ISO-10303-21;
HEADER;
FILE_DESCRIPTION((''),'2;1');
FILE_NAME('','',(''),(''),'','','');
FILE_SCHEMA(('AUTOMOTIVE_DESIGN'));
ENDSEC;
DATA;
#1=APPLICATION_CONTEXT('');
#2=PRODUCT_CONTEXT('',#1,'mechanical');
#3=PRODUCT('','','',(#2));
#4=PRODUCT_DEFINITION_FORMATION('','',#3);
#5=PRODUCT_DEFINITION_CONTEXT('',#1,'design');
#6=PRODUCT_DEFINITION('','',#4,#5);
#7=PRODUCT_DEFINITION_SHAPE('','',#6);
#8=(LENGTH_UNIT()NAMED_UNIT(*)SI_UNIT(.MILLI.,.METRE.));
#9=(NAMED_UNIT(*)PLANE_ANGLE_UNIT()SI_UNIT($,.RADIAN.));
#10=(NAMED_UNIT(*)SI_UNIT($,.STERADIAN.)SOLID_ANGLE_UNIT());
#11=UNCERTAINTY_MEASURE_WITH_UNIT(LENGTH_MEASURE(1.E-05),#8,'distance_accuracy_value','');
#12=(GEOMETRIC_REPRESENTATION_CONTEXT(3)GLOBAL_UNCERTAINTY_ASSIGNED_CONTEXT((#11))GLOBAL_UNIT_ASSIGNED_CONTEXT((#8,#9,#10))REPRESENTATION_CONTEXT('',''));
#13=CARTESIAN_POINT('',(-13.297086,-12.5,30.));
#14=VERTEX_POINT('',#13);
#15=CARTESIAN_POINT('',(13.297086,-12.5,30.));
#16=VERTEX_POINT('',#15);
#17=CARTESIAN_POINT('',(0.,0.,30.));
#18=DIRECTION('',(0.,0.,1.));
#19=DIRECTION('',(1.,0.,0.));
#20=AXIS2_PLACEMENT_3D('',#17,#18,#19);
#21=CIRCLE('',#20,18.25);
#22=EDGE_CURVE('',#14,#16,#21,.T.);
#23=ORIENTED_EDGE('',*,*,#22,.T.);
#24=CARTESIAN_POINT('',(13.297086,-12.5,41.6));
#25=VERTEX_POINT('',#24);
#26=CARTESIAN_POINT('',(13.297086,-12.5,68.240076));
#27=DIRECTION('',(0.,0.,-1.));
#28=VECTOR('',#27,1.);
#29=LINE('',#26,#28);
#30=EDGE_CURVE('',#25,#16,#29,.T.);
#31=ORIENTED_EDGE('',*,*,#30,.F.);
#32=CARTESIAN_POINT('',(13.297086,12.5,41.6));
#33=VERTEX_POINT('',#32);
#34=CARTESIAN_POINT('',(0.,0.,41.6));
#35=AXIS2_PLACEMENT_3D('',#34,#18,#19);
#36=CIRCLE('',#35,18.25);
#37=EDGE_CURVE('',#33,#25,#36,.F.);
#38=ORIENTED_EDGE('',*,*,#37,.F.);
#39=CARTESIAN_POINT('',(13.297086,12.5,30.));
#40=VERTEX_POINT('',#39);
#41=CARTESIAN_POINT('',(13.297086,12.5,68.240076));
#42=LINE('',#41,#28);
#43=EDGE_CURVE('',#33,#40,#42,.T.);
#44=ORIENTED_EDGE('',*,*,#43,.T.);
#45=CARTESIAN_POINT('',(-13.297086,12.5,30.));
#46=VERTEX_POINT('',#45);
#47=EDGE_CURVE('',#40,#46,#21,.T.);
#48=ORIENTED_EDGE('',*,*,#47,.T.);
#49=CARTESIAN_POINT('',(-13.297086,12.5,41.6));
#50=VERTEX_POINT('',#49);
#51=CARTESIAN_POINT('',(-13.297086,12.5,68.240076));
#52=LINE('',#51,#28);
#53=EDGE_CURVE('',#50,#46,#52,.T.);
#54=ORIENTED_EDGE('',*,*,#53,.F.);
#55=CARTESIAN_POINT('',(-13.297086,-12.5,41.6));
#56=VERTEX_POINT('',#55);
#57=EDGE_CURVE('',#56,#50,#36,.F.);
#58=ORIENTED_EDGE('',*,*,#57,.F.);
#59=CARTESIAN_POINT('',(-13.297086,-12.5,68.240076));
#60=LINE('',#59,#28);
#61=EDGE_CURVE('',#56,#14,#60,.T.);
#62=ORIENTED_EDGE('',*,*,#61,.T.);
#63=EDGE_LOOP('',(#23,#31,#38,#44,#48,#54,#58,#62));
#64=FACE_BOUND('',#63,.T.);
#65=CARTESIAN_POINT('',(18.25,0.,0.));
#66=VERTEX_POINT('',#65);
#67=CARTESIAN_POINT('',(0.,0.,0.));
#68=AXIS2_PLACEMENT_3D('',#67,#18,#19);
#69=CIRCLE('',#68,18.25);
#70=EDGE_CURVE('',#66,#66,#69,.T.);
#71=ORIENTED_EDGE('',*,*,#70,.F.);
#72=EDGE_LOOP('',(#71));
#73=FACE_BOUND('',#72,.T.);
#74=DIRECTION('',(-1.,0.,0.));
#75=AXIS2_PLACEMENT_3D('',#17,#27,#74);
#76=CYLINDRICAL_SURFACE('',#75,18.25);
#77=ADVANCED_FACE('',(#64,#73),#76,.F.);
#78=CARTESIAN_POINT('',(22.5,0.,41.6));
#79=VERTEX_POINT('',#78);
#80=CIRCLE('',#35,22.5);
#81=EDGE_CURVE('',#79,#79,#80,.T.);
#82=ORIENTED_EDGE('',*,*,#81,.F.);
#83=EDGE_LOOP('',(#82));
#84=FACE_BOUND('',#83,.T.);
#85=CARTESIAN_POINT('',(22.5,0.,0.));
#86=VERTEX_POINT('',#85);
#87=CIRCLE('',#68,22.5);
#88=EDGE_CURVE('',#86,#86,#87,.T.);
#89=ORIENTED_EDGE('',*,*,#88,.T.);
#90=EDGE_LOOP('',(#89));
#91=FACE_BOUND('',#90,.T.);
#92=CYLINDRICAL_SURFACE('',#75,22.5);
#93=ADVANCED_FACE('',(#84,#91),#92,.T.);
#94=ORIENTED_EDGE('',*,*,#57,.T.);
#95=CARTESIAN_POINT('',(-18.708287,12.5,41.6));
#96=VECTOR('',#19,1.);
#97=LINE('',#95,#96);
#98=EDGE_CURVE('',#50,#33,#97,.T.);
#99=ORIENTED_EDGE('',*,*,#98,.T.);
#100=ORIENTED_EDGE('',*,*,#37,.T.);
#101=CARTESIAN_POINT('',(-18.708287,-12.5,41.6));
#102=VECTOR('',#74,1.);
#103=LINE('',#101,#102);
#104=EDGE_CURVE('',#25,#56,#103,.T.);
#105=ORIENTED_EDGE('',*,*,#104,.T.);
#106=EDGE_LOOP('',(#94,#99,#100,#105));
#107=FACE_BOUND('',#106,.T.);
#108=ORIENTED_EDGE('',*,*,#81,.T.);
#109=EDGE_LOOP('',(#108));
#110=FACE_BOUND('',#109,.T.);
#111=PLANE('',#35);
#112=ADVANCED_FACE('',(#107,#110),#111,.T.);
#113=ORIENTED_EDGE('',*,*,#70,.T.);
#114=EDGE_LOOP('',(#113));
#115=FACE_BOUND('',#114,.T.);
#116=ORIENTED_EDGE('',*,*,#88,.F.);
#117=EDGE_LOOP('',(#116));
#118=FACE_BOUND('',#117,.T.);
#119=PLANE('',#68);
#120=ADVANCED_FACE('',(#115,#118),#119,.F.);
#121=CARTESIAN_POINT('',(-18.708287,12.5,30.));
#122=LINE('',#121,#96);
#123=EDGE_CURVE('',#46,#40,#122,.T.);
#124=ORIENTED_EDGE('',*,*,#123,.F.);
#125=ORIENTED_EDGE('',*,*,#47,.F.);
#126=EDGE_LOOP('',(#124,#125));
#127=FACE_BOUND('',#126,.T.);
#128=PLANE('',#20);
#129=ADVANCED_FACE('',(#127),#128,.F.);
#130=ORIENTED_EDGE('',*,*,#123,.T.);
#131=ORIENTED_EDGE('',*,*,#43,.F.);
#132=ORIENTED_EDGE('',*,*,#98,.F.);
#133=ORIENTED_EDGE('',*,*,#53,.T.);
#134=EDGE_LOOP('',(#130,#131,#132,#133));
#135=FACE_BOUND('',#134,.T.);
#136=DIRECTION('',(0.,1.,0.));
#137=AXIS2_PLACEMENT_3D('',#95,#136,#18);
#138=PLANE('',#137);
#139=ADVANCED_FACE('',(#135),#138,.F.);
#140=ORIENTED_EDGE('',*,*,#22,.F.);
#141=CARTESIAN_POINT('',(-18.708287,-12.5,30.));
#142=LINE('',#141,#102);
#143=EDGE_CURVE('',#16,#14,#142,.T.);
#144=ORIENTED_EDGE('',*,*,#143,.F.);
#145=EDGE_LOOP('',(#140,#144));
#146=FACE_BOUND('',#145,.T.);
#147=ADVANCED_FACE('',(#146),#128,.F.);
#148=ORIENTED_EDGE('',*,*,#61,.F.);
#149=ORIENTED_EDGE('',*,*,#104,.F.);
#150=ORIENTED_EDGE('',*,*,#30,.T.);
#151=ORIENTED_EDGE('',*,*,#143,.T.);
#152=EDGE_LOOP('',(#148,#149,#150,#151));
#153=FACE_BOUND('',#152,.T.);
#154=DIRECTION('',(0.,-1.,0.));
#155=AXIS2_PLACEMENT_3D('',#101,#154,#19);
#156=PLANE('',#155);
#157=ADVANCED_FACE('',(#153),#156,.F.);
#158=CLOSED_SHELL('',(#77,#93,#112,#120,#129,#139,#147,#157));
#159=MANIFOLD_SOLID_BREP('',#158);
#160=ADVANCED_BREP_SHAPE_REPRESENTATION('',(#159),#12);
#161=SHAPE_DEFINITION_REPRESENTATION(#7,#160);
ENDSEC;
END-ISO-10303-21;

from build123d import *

# Parameters (mm, degrees)
CROQUIS1_R              = 22.5
CROQUIS1_R_2            = 18.25
SALIENTE_EXTRUIR1_DEPTH = 30
SALIENTE_EXTRUIR2_DEPTH = 11.6
SALIENTE_EXTRUIR3_DEPTH = 11.6


with BuildPart() as part:
    # Croquis1 → Saliente-Extruir1 (new body)
    with BuildSketch(Plane.XY):
        Circle(CROQUIS1_R)
        Circle(CROQUIS1_R_2, mode=Mode.SUBTRACT)
    extrude(amount=SALIENTE_EXTRUIR1_DEPTH)

    # Croquis2 → Saliente-Extruir2 (add)
    with BuildSketch(Plane.XY.offset(30)):
        with BuildLine():
            Line((-18.708286934, 12.5), (18.708286934, 12.5))
            ThreePointArc((18.708286934, 12.5), (0, 22.5), (-18.708286934, 12.5))
        make_face()
        with BuildLine():
            Line((-18.708286934, -12.5), (18.708286934, -12.5))
            ThreePointArc((18.708286934, -12.5), (0, -22.5), (-18.708286934, -12.5))
        make_face()
    extrude(amount=SALIENTE_EXTRUIR2_DEPTH)

    # Croquis3 → Saliente-Extruir3 (add)
    with BuildSketch(Plane.XY.offset(30)):
        with BuildLine():
            Line((18.708286934, 12.5), (13.297086147, 12.5))
            ThreePointArc((13.297086147, 12.5), (18.25, 0), (13.297086147, -12.5))
            Line((13.297086147, -12.5), (18.708286934, -12.5))
            ThreePointArc((18.708286934, -12.5), (22.5, 0), (18.708286934, 12.5))
        make_face()
        with BuildLine():
            Line((-13.297086147, 12.5), (-18.708286934, 12.5))
            ThreePointArc((-18.708286934, 12.5), (-22.5, 0), (-18.708286934, -12.5))
            Line((-18.708286934, -12.5), (-13.297086147, -12.5))
            ThreePointArc((-13.297086147, -12.5), (-18.25, 0), (-13.297086147, 12.5))
        make_face()
    extrude(amount=SALIENTE_EXTRUIR3_DEPTH)


solid = part.part
